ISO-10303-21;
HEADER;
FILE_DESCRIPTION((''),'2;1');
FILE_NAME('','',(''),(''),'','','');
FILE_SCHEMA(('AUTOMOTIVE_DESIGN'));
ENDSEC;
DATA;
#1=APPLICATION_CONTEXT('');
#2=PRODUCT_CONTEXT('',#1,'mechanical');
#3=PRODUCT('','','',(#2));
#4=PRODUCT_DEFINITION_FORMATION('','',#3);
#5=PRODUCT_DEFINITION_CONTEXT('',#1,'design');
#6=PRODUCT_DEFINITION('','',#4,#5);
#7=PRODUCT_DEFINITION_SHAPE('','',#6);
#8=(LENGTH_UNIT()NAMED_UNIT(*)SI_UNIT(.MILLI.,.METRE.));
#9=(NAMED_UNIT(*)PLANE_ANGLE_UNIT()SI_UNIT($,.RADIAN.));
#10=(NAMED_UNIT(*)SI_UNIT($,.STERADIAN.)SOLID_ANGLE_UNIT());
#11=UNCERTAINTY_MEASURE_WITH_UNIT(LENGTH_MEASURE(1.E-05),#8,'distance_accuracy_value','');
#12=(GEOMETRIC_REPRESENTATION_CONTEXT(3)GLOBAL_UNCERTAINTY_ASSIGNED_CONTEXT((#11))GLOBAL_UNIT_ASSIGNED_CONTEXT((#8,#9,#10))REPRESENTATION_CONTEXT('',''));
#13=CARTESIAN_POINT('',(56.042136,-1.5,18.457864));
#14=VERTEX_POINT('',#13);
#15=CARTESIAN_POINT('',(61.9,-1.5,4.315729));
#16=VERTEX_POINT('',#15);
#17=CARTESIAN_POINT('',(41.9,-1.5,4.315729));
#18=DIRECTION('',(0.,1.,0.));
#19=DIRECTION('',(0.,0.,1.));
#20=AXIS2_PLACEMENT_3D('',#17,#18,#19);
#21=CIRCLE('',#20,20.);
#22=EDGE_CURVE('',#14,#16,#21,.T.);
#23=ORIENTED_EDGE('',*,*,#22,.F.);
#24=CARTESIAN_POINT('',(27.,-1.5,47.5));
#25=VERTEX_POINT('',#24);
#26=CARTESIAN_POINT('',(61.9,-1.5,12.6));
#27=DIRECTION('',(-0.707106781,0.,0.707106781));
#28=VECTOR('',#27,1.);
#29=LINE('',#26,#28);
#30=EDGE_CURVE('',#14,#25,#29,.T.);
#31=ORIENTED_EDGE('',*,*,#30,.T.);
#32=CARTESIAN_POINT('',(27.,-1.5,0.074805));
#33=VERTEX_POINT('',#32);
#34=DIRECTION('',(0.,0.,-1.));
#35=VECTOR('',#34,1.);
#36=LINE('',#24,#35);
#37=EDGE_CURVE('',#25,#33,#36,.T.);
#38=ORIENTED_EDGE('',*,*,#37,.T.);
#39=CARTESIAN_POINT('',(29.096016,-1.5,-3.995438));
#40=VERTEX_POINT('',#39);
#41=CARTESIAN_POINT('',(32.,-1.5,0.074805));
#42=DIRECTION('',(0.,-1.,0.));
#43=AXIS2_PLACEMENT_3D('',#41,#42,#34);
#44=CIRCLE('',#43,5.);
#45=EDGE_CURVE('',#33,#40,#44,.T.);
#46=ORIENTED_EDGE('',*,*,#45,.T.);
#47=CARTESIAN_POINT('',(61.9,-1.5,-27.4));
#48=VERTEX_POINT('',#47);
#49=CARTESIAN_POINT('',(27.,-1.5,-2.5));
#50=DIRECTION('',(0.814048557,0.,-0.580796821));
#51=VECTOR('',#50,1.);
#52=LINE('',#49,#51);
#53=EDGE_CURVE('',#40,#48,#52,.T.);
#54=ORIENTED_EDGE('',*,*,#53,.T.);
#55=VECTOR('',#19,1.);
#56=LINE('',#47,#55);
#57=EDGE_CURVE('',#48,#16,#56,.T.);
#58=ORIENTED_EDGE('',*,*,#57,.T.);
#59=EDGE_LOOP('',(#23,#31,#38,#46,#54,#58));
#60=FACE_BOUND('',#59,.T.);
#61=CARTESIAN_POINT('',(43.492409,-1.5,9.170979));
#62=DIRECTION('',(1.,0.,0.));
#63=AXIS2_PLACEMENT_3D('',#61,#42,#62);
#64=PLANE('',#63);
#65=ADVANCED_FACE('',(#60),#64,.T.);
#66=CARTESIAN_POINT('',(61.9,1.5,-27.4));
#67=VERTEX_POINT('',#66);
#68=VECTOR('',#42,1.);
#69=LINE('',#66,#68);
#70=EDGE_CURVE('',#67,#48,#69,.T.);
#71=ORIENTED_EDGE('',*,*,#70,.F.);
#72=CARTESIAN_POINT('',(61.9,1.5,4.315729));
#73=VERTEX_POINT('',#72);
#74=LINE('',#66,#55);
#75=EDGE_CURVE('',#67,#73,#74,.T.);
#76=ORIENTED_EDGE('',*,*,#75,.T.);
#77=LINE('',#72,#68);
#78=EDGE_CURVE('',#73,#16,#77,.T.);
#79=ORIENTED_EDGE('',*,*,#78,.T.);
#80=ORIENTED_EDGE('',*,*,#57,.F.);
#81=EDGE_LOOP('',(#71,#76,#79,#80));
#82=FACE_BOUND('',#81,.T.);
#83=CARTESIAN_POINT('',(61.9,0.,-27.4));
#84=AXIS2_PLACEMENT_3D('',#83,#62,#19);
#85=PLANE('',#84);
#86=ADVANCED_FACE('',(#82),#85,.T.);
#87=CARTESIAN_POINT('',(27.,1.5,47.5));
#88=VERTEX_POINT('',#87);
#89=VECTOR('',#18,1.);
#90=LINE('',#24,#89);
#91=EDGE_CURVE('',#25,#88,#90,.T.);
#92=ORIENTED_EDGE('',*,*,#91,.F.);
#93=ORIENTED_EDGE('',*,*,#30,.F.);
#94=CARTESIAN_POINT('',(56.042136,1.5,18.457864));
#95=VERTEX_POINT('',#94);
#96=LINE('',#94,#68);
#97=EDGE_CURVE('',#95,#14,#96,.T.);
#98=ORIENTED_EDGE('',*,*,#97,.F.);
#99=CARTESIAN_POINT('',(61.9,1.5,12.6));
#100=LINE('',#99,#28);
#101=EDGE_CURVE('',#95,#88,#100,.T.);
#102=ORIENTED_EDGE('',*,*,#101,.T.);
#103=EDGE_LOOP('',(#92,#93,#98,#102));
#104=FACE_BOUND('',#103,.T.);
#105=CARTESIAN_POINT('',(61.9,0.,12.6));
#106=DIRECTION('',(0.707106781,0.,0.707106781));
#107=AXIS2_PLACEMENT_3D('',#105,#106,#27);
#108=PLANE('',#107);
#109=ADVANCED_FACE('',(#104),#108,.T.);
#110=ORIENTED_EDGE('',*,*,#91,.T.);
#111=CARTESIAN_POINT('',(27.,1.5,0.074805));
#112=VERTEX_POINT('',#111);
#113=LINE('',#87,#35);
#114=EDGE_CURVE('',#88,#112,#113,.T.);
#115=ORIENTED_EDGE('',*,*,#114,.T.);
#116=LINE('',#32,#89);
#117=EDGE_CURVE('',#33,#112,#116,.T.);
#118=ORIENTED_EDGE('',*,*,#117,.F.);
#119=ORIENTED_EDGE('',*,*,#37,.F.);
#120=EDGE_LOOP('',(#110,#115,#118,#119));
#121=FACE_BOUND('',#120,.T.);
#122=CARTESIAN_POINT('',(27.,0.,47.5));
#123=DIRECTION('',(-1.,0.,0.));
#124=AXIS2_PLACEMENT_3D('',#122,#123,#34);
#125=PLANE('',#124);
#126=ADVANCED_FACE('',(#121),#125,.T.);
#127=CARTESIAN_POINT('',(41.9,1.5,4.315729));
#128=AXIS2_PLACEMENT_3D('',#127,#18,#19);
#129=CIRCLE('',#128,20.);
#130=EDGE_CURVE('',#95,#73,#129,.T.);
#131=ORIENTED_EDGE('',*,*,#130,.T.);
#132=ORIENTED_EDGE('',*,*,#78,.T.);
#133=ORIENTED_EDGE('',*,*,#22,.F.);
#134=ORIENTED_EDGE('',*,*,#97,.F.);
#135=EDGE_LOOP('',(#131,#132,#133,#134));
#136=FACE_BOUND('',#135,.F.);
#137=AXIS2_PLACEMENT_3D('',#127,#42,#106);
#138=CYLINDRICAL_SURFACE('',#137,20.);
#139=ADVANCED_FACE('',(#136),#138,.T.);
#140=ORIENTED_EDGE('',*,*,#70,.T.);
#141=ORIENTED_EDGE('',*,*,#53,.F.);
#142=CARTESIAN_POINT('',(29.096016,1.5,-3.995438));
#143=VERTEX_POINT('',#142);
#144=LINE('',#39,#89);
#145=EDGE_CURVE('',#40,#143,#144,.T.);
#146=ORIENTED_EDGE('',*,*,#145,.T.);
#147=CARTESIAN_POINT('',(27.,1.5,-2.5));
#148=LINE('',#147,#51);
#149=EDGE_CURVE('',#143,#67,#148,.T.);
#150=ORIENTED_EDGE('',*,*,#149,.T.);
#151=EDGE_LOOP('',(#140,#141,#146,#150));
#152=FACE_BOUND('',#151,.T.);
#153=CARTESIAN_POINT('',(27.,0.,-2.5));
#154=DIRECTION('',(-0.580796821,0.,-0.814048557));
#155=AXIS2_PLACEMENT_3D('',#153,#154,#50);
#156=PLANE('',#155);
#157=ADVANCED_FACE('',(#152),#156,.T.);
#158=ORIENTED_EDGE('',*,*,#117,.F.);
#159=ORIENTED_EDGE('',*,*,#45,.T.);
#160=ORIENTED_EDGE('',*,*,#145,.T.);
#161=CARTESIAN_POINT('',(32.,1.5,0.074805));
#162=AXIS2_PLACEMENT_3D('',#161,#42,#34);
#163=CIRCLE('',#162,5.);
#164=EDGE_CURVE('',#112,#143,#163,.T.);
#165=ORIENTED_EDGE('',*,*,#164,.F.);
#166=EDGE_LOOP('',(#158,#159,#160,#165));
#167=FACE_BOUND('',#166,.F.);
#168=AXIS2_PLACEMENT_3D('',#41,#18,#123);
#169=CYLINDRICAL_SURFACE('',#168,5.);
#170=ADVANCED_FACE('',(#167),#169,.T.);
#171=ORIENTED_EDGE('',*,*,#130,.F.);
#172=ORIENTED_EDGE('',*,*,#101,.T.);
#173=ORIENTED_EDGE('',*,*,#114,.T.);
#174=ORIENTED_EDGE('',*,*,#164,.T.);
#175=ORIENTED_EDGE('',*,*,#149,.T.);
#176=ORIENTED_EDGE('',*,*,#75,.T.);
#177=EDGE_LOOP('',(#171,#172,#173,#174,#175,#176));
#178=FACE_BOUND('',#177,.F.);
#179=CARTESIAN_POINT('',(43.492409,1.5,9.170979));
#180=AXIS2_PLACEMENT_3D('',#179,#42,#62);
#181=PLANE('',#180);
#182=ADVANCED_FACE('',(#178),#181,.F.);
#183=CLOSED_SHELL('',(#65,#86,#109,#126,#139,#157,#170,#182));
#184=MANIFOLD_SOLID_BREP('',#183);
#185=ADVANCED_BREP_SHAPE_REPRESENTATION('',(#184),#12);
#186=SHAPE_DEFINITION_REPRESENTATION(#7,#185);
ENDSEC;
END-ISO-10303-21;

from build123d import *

# Parameters (mm, degrees)
PAD008_DEPTH            = 1.5
FILLET010_R             = 20
FILLET011_R             = 5
BODY009_PLACEMENT_ANGLE = 90


with BuildPart() as part:
    # Sketch013 → Pad008 (new body, symmetric)
    with BuildSketch(Plane.YZ):
        Polygon((27, -2.5), (61.9, -27.4), (61.9, 12.6), (27, 47.5), align=None)
    extrude(amount=PAD008_DEPTH, both=True)

    # Fillet010
    fillet010_edges = [part.edges().sort_by_distance(p)[0] for p in [
        (0, 61.9, 12.6),
    ]]
    fillet(fillet010_edges, radius=FILLET010_R)

    # Fillet011
    fillet011_edges = [part.edges().sort_by_distance(p)[0] for p in [
        (0, 27, -2.5),
    ]]
    fillet(fillet011_edges, radius=FILLET011_R)


with BuildPart() as part_1:
    # Body009 placement: moved
    add(part.part.rotate(Axis((0, 0, 0), (0, 0, -1)), BODY009_PLACEMENT_ANGLE))


solid = part_1.part
